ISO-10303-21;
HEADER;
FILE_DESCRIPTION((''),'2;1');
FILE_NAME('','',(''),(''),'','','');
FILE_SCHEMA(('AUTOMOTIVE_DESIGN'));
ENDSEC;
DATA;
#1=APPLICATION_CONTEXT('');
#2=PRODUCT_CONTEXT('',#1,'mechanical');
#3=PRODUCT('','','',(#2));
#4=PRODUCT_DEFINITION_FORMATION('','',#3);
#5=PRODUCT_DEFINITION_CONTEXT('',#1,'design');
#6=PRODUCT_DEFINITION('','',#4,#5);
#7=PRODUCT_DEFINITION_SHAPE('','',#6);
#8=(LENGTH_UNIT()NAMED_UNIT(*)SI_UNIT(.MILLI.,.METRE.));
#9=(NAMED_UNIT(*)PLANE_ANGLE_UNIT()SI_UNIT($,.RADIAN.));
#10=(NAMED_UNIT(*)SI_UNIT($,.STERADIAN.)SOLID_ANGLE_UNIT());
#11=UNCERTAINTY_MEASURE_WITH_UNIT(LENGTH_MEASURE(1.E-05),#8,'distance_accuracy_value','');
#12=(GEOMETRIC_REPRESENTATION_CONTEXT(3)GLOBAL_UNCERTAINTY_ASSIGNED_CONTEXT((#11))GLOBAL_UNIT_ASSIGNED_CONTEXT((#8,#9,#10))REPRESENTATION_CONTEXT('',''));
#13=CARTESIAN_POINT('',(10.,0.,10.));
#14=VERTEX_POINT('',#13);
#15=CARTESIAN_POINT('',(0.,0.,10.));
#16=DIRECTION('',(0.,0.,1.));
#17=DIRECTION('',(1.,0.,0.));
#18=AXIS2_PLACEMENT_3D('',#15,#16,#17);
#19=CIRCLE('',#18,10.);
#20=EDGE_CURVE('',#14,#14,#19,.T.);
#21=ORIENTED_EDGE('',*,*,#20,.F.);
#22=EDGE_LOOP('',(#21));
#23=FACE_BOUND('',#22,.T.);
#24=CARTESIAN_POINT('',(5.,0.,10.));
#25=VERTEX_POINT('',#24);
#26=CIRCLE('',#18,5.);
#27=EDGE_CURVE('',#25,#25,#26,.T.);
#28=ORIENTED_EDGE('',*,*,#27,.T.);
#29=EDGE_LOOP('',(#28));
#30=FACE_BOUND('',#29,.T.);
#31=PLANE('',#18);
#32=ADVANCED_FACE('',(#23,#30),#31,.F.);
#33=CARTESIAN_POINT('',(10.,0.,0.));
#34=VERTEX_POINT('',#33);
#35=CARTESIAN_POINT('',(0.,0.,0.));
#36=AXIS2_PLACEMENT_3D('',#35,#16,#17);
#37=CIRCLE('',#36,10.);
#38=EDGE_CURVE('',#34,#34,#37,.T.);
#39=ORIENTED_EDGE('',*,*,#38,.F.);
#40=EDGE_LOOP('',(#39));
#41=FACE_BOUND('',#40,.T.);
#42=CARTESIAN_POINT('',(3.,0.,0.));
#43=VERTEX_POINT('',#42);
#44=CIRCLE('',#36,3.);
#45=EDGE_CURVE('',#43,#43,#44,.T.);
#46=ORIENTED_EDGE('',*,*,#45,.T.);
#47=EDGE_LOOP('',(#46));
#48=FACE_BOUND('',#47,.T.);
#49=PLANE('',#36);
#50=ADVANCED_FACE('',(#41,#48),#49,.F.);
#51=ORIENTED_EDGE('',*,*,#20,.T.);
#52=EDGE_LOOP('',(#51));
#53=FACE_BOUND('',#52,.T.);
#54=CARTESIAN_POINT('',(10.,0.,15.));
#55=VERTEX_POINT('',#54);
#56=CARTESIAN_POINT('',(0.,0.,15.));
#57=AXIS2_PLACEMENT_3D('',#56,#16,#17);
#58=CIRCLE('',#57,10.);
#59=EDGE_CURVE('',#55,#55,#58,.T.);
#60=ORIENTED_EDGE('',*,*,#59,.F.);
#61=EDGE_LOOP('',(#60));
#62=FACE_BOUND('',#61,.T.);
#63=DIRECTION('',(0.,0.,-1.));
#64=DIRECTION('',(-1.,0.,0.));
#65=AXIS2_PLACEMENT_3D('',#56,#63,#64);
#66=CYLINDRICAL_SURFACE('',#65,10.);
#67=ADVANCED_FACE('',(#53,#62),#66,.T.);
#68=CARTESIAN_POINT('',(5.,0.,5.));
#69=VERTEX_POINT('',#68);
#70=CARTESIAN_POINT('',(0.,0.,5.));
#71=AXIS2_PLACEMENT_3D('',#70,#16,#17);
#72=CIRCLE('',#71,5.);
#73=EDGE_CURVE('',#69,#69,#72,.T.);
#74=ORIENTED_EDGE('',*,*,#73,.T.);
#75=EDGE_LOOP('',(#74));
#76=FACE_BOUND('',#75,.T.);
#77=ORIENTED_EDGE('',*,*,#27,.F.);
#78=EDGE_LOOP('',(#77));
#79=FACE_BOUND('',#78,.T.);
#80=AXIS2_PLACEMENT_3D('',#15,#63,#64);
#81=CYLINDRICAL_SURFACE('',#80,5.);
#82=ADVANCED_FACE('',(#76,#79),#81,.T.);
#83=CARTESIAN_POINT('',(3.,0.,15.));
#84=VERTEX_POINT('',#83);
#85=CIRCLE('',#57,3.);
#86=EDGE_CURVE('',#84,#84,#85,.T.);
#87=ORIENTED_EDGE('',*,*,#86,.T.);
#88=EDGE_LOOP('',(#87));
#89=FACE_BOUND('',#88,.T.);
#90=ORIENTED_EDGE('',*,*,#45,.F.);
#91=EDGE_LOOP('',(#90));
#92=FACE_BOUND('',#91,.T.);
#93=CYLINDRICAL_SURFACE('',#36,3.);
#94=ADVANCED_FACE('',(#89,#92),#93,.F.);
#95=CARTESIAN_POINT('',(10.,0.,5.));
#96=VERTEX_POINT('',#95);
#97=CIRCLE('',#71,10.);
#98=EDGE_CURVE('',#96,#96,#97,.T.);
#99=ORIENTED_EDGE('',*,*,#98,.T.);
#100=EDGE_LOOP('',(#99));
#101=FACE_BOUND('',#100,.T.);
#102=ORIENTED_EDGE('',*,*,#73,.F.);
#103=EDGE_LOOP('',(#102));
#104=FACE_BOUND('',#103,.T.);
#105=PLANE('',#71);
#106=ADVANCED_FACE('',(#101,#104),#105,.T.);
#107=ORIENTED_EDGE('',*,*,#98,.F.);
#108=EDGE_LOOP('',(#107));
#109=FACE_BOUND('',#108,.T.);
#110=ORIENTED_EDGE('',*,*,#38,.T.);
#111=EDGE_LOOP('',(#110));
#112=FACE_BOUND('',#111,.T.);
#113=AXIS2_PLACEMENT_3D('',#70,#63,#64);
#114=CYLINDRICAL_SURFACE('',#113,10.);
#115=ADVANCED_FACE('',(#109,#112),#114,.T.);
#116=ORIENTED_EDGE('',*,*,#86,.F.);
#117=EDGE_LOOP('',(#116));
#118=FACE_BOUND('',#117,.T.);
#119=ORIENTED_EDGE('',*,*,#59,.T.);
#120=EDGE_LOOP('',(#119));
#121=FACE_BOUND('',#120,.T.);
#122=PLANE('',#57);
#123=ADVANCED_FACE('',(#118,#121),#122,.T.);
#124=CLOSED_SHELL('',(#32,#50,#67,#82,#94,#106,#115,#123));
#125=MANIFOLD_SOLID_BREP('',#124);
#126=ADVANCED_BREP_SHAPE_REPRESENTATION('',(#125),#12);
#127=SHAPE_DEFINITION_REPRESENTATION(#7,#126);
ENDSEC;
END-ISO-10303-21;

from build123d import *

# Parameters (mm, degrees)
SKETCH1_R           = 10
BOSS_EXTRUDE7_DEPTH = 5
SKETCH8_R           = 5
BOSS_EXTRUDE8_DEPTH = 5
SKETCH9_R           = 10
BOSS_EXTRUDE9_DEPTH = 5
SKETCH10_R          = 3
CUT_EXTRUDE4_DEPTH  = 21.615528128


with BuildPart() as part:
    # Sketch1 → Boss-Extrude7 (new body)
    with BuildSketch(Plane.XY):
        Circle(SKETCH1_R)
    extrude(amount=BOSS_EXTRUDE7_DEPTH)

    # Sketch8 → Boss-Extrude8 (add)
    with BuildSketch(Plane.XY.offset(5)):
        Circle(SKETCH8_R)
    extrude(amount=BOSS_EXTRUDE8_DEPTH)

    # Sketch9 → Boss-Extrude9 (add)
    with BuildSketch(Plane.XY.offset(10)):
        Circle(SKETCH9_R)
    extrude(amount=BOSS_EXTRUDE9_DEPTH)

    # Sketch10 → Cut-Extrude4 (cut, through all)
    with BuildSketch(Plane.XY.offset(15)):
        Circle(SKETCH10_R)
    extrude(amount=-CUT_EXTRUDE4_DEPTH, mode=Mode.SUBTRACT)


solid = part.part
